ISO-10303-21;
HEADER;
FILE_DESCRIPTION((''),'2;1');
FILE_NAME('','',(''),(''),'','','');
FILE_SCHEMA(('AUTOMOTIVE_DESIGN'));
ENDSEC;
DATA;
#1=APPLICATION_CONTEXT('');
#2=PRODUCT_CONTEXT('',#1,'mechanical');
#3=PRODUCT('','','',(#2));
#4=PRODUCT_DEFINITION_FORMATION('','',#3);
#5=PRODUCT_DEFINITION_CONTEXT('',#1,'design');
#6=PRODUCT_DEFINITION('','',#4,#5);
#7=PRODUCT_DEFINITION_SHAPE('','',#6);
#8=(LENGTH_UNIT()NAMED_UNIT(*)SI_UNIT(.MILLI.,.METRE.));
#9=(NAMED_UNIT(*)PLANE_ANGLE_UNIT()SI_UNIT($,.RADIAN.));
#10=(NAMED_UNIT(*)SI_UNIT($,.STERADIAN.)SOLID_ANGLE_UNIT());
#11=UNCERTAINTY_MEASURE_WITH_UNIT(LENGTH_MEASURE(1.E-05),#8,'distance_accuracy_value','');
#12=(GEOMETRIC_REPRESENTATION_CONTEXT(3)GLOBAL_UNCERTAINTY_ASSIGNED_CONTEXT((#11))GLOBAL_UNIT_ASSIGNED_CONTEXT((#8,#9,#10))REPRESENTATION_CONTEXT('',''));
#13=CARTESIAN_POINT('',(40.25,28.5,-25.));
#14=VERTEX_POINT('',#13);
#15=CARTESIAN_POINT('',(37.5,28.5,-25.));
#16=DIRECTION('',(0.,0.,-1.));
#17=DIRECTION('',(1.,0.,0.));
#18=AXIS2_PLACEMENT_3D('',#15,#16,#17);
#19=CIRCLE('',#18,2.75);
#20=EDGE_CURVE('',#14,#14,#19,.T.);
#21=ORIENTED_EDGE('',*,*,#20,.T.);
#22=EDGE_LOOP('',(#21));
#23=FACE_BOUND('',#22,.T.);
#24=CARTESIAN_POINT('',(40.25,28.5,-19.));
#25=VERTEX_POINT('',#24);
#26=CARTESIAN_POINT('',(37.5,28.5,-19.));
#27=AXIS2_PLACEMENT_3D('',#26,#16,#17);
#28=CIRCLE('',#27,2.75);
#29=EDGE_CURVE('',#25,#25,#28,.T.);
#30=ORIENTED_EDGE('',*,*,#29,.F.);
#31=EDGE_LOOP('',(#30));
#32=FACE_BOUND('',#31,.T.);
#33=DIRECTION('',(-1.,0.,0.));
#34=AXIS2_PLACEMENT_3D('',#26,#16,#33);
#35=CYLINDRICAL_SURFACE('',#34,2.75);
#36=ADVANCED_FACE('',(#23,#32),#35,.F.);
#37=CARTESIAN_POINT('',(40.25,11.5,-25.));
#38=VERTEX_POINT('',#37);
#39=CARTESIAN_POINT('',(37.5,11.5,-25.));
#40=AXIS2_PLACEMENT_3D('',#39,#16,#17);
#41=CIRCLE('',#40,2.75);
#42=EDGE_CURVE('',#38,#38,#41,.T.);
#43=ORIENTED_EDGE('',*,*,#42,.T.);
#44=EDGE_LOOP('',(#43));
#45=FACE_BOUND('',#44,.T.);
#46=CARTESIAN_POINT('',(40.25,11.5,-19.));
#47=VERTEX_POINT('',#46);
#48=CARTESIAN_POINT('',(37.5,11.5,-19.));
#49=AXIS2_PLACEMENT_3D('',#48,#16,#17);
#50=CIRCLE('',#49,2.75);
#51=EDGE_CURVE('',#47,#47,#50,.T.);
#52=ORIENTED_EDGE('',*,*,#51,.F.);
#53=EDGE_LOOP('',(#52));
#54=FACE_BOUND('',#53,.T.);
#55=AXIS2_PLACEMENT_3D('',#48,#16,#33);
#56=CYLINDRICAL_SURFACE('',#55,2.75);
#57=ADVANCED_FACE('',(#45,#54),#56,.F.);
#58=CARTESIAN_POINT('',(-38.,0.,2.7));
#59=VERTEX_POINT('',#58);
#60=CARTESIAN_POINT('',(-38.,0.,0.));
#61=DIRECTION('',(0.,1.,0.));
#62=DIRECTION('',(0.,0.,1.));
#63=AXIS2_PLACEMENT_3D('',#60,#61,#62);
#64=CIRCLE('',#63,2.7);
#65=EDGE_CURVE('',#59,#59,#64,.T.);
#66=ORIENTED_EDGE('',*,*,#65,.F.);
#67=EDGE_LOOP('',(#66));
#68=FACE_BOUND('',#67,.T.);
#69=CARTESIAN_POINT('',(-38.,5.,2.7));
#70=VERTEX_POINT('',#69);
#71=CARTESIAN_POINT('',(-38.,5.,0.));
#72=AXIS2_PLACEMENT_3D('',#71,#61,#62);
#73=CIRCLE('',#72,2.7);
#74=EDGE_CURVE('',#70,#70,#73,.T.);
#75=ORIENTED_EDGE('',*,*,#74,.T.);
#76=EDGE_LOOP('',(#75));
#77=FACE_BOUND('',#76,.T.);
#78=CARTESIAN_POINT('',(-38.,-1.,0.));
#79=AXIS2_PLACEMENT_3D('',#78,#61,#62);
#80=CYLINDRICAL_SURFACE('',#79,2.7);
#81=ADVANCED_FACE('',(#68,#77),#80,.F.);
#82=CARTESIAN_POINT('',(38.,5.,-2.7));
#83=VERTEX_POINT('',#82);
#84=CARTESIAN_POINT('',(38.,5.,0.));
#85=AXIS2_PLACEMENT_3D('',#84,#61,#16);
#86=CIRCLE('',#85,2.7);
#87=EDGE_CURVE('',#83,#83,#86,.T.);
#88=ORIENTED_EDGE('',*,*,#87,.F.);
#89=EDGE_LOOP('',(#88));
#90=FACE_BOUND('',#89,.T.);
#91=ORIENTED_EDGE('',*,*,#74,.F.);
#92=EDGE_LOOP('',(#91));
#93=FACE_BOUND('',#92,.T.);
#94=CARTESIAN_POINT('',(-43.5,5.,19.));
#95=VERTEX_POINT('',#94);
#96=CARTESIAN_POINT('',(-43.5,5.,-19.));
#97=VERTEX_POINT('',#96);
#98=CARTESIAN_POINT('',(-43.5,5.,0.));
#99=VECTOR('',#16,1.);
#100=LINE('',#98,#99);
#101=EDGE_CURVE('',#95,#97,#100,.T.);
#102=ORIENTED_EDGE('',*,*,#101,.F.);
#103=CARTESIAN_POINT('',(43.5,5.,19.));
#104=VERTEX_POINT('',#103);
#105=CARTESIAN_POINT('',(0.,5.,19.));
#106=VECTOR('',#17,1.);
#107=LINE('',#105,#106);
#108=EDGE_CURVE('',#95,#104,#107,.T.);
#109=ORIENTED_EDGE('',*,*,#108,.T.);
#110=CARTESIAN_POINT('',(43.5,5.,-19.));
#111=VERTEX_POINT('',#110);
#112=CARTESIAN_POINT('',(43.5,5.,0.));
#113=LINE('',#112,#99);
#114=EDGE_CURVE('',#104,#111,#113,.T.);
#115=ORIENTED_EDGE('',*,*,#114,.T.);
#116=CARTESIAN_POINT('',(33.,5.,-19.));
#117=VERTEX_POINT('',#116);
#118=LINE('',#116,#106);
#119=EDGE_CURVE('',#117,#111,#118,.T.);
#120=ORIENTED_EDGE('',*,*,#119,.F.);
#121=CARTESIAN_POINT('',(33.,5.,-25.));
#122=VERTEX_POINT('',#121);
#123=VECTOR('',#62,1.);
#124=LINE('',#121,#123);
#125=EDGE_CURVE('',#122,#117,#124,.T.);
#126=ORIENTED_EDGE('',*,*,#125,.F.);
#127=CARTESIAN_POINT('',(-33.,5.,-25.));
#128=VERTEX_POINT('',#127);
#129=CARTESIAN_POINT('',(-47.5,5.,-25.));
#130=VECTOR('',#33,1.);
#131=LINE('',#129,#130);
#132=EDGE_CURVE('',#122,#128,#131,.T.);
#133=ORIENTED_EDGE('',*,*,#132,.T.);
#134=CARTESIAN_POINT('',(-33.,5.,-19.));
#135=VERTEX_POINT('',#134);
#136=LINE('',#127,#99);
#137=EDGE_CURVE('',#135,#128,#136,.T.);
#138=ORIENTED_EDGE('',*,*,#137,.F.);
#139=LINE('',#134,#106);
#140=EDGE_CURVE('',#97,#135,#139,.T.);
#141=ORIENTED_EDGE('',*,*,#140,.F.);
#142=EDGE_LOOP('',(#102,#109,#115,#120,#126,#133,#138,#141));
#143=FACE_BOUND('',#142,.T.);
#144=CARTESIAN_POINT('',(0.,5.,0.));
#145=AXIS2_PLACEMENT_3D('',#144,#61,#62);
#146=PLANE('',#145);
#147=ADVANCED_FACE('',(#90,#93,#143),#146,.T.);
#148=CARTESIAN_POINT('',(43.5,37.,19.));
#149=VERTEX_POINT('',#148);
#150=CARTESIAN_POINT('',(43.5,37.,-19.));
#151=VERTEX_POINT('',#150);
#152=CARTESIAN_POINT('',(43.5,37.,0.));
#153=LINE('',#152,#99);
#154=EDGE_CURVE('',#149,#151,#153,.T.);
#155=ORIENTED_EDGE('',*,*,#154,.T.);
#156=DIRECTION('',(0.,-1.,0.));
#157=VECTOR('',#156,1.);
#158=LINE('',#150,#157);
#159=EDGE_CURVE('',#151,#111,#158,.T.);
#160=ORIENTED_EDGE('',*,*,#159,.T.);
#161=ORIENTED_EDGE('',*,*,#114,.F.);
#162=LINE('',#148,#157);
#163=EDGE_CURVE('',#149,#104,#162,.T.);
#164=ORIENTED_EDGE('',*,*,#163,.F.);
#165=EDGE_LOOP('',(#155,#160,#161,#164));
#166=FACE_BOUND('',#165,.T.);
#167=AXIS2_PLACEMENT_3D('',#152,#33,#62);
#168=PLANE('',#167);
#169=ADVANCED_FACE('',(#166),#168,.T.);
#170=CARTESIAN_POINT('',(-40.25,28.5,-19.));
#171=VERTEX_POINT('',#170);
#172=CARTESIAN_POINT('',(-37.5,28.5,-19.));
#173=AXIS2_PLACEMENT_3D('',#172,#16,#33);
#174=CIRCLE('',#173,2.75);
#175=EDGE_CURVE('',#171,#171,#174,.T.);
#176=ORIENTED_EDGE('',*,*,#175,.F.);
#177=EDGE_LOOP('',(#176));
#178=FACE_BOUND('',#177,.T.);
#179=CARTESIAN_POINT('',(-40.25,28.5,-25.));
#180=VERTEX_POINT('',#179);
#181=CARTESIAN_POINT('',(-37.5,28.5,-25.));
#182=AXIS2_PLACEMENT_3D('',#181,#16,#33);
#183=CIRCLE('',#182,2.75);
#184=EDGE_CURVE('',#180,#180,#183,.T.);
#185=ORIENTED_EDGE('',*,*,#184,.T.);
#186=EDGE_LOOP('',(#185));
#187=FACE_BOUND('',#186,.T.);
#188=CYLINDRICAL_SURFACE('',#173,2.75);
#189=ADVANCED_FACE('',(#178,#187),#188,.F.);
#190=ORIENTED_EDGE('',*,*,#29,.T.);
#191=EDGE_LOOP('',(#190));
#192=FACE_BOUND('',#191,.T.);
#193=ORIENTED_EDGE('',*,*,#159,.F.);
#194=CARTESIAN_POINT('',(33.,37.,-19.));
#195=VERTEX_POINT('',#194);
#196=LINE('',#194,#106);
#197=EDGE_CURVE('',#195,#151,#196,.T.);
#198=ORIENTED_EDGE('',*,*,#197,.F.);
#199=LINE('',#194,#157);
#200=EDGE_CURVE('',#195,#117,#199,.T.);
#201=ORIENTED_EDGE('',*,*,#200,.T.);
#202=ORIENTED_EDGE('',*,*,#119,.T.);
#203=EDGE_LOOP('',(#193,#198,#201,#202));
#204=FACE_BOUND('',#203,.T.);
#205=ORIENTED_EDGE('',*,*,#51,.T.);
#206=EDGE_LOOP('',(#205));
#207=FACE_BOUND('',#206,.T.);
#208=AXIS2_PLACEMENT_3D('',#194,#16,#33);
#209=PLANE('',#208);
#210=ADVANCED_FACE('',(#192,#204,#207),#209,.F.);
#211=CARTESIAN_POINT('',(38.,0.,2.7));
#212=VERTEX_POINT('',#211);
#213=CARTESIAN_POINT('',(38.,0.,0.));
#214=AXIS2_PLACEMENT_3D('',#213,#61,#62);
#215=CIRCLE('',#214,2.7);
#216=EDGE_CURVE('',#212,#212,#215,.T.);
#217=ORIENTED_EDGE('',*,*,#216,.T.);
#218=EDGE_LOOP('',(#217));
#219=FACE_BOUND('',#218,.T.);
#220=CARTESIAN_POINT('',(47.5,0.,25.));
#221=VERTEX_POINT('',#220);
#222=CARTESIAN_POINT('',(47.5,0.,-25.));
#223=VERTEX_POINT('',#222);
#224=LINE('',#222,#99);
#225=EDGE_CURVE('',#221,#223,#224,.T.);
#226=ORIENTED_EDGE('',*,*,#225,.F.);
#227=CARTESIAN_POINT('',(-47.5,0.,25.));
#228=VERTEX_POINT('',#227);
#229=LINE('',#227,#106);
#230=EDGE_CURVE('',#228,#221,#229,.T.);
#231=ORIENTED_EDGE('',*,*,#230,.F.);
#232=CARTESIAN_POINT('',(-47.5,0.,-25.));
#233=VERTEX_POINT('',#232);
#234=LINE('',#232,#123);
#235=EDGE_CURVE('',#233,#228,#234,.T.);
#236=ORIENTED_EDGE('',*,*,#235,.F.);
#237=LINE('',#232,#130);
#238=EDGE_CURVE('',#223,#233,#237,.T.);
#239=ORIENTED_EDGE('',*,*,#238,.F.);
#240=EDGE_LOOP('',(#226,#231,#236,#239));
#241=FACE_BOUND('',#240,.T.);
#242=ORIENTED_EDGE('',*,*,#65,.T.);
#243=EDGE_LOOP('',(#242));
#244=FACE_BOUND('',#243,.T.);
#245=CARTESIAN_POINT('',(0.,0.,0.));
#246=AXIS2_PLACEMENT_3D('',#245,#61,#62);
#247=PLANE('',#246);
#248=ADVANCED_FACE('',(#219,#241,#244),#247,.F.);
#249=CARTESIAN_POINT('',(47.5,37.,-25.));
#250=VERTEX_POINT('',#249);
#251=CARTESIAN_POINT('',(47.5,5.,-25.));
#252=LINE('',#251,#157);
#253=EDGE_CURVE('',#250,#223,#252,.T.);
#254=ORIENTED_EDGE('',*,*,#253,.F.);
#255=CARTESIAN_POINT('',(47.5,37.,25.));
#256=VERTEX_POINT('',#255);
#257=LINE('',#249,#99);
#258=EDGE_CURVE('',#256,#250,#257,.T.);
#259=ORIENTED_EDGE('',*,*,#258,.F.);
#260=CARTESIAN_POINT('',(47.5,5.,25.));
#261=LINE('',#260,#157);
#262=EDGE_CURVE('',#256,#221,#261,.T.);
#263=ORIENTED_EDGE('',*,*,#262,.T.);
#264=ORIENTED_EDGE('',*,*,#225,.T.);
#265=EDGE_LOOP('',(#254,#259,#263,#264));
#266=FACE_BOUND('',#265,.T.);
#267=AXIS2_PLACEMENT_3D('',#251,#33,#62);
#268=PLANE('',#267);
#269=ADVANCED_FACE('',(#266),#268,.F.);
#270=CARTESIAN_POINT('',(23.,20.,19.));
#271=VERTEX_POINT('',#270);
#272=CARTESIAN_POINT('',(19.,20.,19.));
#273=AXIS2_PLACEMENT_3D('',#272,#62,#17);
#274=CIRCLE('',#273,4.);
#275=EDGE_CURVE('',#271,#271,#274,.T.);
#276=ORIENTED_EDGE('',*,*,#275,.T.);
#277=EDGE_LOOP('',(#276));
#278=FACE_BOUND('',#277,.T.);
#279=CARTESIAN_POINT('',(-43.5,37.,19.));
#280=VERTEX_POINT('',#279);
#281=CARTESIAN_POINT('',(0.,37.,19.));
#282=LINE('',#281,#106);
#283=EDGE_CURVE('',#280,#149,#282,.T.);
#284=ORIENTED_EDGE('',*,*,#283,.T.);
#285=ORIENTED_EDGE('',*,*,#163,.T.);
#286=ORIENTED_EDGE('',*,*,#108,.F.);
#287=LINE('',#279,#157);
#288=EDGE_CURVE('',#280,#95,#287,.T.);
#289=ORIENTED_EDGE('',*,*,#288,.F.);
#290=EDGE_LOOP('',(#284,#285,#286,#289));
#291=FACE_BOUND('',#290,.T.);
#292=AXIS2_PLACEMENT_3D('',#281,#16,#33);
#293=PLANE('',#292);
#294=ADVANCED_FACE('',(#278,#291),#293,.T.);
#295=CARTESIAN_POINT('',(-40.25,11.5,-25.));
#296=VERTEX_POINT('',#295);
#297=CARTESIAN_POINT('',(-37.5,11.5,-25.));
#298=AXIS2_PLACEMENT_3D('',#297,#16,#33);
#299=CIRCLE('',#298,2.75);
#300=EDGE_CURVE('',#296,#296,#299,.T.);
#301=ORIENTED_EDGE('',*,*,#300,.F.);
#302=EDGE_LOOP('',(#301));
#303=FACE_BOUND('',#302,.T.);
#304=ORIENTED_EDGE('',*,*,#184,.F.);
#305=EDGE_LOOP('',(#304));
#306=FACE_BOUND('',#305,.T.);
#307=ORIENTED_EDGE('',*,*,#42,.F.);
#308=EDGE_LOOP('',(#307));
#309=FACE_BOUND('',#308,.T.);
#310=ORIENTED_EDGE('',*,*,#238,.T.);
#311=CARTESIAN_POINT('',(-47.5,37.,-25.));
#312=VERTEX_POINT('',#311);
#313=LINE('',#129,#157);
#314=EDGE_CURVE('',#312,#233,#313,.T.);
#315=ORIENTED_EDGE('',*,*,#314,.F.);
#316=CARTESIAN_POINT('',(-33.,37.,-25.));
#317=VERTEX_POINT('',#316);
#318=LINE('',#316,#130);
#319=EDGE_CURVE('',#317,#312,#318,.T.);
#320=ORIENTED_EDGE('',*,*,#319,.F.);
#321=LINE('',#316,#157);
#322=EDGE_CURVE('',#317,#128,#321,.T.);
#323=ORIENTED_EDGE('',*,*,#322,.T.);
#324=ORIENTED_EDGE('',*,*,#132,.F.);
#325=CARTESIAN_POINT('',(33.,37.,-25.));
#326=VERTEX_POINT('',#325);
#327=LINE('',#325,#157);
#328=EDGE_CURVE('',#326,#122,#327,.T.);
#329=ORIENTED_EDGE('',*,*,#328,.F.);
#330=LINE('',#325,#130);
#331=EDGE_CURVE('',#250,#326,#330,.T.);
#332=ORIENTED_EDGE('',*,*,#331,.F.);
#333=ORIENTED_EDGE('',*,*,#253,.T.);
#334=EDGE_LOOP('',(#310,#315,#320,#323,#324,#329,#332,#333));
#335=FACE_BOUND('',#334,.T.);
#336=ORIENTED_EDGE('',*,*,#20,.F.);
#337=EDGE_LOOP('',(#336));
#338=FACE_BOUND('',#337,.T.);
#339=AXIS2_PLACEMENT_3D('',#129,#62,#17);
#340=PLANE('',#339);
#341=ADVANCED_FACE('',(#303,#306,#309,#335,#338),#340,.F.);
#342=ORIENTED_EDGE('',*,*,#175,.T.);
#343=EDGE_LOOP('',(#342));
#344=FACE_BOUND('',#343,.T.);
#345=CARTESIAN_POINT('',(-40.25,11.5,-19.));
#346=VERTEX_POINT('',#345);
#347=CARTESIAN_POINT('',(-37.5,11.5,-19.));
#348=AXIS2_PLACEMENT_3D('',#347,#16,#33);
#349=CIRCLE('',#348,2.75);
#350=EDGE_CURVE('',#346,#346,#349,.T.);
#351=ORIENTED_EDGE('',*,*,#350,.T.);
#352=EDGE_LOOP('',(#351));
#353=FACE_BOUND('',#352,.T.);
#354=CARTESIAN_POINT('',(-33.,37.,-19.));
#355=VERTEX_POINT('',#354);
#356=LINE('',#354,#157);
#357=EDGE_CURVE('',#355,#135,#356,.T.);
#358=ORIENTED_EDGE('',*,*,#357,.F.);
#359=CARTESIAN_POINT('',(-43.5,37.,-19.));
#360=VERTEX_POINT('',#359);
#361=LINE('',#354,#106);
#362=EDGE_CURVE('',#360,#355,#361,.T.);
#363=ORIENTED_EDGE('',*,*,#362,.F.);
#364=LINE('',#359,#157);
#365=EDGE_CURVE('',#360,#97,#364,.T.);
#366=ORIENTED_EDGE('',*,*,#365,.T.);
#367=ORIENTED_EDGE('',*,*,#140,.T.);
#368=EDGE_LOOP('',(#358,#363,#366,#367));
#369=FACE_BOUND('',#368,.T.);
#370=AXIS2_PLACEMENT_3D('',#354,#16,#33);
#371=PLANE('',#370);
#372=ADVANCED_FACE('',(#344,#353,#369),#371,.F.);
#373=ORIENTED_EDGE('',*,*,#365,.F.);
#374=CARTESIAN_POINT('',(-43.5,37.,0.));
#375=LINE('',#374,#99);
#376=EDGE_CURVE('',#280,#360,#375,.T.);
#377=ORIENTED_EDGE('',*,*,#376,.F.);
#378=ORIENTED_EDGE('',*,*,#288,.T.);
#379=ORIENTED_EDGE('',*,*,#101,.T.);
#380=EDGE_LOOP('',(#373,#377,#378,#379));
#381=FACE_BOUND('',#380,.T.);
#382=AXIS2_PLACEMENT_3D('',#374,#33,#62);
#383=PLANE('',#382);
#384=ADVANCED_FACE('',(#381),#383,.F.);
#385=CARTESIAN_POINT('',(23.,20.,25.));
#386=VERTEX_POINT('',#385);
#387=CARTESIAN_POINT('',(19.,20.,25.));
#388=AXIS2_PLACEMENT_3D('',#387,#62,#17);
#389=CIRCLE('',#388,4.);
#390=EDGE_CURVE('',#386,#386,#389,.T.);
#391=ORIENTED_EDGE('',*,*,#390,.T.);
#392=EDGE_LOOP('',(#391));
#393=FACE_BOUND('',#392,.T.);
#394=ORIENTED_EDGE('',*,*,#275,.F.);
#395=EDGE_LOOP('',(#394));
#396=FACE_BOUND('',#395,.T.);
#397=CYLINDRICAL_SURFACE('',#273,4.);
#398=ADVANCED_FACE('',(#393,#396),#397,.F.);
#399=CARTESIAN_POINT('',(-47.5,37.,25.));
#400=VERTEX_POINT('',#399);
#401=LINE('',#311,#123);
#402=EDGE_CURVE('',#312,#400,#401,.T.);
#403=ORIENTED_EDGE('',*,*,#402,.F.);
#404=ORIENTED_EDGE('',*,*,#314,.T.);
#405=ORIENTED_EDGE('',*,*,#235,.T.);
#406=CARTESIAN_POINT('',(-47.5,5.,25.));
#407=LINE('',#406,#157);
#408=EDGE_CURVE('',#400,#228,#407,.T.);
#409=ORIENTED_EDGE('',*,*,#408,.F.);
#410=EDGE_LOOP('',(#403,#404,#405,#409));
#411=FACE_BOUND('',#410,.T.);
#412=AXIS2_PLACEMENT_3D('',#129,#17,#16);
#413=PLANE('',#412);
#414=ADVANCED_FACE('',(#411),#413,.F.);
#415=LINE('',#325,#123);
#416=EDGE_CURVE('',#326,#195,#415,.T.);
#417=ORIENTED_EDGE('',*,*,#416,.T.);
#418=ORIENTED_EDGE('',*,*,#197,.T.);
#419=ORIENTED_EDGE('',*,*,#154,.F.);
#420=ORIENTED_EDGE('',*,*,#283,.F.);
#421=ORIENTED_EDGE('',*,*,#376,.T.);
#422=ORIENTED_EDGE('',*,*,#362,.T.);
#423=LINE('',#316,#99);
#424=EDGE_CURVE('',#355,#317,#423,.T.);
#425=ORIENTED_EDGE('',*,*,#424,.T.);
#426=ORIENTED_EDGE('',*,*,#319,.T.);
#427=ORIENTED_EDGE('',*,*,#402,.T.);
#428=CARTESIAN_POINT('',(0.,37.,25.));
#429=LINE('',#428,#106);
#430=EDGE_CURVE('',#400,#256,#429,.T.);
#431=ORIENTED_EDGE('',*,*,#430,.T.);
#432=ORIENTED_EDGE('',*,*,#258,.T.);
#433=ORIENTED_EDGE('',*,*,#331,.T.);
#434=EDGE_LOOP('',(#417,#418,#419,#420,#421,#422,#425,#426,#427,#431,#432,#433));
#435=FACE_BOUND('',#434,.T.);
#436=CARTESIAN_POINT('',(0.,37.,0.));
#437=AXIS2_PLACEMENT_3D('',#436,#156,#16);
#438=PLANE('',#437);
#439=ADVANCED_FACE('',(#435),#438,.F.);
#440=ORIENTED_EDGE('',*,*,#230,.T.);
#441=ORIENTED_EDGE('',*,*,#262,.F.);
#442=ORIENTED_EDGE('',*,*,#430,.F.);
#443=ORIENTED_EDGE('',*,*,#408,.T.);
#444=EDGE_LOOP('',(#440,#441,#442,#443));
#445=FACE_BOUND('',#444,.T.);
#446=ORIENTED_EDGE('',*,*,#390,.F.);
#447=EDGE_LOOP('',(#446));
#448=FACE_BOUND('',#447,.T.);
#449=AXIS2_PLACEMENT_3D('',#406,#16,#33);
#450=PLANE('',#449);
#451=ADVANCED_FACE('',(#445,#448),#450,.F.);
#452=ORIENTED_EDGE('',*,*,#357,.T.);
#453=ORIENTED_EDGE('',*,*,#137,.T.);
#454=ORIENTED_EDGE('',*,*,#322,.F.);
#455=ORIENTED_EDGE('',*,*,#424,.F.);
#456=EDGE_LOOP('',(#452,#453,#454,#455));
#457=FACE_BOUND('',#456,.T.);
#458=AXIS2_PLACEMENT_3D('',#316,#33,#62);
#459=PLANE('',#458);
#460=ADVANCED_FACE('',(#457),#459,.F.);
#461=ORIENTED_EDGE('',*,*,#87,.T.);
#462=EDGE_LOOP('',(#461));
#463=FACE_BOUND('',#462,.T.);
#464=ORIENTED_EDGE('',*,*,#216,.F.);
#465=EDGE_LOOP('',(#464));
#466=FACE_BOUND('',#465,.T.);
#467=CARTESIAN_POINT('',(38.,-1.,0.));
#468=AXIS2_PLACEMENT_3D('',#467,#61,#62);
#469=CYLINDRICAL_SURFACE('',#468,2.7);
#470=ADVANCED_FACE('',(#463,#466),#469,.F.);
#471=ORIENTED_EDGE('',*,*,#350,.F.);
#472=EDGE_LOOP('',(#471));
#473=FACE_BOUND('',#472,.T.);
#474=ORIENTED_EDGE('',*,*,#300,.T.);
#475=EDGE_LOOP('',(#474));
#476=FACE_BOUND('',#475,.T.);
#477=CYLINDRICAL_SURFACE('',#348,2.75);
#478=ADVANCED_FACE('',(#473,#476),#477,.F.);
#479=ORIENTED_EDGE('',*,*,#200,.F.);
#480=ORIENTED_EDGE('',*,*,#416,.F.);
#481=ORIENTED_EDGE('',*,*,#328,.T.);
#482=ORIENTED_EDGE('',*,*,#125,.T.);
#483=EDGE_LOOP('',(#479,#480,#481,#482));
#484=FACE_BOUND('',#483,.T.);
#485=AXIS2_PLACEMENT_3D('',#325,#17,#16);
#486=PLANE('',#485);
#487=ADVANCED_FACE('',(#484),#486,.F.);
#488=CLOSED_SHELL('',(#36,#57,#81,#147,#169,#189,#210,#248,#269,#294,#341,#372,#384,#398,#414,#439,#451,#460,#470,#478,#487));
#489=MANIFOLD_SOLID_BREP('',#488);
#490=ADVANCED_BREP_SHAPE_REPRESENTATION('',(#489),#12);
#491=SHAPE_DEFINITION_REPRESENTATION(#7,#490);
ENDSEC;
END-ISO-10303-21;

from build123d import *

# Parameters (mm, degrees)
SKETCH1_W           = 95
SKETCH1_H           = 50
BOSS_EXTRUDE1_DEPTH = 5
SKETCH2_W           = 14.5
SKETCH2_H           = 6
BOSS_EXTRUDE2_DEPTH = 32
SKETCH4_R           = 2.75
CUT_EXTRUDE1_DEPTH  = 6
SKETCH6_R           = 2.7
CUT_EXTRUDE2_DEPTH  = 6
BOSS_EXTRUDE5_DEPTH = 32
SKETCH11_R          = 4
CUT_EXTRUDE3_DEPTH  = 6


with BuildPart() as part:
    # Sketch1 → Boss-Extrude1 (new body)
    with BuildSketch(Plane(origin=(0, 0, 0), x_dir=(1, 0, 0), z_dir=(0, 1, 0))):
        Rectangle(SKETCH1_W, SKETCH1_H)
    extrude(amount=BOSS_EXTRUDE1_DEPTH)

    # Sketch2 → Boss-Extrude2 (add)
    with BuildSketch(Plane(origin=(0, 5, 0), x_dir=(1, 0, 0), z_dir=(0, 1, 0))):
        with Locations((-40.25, 22)):
            Rectangle(SKETCH2_W, SKETCH2_H)
        with Locations((40.25, 22)):
            Rectangle(SKETCH2_W, SKETCH2_H)
    extrude(amount=BOSS_EXTRUDE2_DEPTH)

    # Sketch4 → Cut-Extrude1 (cut)
    with BuildSketch(Plane(origin=(0, 0, -25), x_dir=(-1, 0, 0), z_dir=(0, 0, -1))):
        with Locations((37.5, 11.5)):
            Circle(SKETCH4_R)
        with Locations((37.5, 28.5)):
            Circle(SKETCH4_R)
        with Locations(Location((-37.5, 28.5, 0), (0, 0, 180))):
            Circle(SKETCH4_R)
        with Locations(Location((-37.5, 11.5, 0), (0, 0, 180))):
            Circle(SKETCH4_R)
    extrude(amount=-CUT_EXTRUDE1_DEPTH, mode=Mode.SUBTRACT)

    # Sketch6 → Cut-Extrude2 (cut)
    with BuildSketch(Plane(origin=(0, 5, 0), x_dir=(1, 0, 0), z_dir=(0, 1, 0))):
        with Locations(Location((-38, 0, 0), (0, 0, 270))):
            Circle(SKETCH6_R)
        with Locations(Location((38, 0, 0), (0, 0, 270))):
            Circle(SKETCH6_R)
    extrude(amount=-CUT_EXTRUDE2_DEPTH, mode=Mode.SUBTRACT)

    # Sketch10 → Boss-Extrude5 (add)
    with BuildSketch(Plane(origin=(0, 5, 0), x_dir=(1, 0, 0), z_dir=(0, 1, 0))):
        Polygon((-47.5, -14), (-47.5, -25), (-43.5, -25), (43.5, -25), (47.5, -25), (47.5, -19), (47.5, 19), (43.5, 19), (43.5, -19), (-43.5, -19), (-43.5, 19), (-47.5, 19), align=None)
    extrude(amount=BOSS_EXTRUDE5_DEPTH)

    # Sketch11 → Cut-Extrude3 (cut)
    with BuildSketch(Plane.XY.offset(25)):
        with Locations((19, 20)):
            Circle(SKETCH11_R)
    extrude(amount=-CUT_EXTRUDE3_DEPTH, mode=Mode.SUBTRACT)


solid = part.part
